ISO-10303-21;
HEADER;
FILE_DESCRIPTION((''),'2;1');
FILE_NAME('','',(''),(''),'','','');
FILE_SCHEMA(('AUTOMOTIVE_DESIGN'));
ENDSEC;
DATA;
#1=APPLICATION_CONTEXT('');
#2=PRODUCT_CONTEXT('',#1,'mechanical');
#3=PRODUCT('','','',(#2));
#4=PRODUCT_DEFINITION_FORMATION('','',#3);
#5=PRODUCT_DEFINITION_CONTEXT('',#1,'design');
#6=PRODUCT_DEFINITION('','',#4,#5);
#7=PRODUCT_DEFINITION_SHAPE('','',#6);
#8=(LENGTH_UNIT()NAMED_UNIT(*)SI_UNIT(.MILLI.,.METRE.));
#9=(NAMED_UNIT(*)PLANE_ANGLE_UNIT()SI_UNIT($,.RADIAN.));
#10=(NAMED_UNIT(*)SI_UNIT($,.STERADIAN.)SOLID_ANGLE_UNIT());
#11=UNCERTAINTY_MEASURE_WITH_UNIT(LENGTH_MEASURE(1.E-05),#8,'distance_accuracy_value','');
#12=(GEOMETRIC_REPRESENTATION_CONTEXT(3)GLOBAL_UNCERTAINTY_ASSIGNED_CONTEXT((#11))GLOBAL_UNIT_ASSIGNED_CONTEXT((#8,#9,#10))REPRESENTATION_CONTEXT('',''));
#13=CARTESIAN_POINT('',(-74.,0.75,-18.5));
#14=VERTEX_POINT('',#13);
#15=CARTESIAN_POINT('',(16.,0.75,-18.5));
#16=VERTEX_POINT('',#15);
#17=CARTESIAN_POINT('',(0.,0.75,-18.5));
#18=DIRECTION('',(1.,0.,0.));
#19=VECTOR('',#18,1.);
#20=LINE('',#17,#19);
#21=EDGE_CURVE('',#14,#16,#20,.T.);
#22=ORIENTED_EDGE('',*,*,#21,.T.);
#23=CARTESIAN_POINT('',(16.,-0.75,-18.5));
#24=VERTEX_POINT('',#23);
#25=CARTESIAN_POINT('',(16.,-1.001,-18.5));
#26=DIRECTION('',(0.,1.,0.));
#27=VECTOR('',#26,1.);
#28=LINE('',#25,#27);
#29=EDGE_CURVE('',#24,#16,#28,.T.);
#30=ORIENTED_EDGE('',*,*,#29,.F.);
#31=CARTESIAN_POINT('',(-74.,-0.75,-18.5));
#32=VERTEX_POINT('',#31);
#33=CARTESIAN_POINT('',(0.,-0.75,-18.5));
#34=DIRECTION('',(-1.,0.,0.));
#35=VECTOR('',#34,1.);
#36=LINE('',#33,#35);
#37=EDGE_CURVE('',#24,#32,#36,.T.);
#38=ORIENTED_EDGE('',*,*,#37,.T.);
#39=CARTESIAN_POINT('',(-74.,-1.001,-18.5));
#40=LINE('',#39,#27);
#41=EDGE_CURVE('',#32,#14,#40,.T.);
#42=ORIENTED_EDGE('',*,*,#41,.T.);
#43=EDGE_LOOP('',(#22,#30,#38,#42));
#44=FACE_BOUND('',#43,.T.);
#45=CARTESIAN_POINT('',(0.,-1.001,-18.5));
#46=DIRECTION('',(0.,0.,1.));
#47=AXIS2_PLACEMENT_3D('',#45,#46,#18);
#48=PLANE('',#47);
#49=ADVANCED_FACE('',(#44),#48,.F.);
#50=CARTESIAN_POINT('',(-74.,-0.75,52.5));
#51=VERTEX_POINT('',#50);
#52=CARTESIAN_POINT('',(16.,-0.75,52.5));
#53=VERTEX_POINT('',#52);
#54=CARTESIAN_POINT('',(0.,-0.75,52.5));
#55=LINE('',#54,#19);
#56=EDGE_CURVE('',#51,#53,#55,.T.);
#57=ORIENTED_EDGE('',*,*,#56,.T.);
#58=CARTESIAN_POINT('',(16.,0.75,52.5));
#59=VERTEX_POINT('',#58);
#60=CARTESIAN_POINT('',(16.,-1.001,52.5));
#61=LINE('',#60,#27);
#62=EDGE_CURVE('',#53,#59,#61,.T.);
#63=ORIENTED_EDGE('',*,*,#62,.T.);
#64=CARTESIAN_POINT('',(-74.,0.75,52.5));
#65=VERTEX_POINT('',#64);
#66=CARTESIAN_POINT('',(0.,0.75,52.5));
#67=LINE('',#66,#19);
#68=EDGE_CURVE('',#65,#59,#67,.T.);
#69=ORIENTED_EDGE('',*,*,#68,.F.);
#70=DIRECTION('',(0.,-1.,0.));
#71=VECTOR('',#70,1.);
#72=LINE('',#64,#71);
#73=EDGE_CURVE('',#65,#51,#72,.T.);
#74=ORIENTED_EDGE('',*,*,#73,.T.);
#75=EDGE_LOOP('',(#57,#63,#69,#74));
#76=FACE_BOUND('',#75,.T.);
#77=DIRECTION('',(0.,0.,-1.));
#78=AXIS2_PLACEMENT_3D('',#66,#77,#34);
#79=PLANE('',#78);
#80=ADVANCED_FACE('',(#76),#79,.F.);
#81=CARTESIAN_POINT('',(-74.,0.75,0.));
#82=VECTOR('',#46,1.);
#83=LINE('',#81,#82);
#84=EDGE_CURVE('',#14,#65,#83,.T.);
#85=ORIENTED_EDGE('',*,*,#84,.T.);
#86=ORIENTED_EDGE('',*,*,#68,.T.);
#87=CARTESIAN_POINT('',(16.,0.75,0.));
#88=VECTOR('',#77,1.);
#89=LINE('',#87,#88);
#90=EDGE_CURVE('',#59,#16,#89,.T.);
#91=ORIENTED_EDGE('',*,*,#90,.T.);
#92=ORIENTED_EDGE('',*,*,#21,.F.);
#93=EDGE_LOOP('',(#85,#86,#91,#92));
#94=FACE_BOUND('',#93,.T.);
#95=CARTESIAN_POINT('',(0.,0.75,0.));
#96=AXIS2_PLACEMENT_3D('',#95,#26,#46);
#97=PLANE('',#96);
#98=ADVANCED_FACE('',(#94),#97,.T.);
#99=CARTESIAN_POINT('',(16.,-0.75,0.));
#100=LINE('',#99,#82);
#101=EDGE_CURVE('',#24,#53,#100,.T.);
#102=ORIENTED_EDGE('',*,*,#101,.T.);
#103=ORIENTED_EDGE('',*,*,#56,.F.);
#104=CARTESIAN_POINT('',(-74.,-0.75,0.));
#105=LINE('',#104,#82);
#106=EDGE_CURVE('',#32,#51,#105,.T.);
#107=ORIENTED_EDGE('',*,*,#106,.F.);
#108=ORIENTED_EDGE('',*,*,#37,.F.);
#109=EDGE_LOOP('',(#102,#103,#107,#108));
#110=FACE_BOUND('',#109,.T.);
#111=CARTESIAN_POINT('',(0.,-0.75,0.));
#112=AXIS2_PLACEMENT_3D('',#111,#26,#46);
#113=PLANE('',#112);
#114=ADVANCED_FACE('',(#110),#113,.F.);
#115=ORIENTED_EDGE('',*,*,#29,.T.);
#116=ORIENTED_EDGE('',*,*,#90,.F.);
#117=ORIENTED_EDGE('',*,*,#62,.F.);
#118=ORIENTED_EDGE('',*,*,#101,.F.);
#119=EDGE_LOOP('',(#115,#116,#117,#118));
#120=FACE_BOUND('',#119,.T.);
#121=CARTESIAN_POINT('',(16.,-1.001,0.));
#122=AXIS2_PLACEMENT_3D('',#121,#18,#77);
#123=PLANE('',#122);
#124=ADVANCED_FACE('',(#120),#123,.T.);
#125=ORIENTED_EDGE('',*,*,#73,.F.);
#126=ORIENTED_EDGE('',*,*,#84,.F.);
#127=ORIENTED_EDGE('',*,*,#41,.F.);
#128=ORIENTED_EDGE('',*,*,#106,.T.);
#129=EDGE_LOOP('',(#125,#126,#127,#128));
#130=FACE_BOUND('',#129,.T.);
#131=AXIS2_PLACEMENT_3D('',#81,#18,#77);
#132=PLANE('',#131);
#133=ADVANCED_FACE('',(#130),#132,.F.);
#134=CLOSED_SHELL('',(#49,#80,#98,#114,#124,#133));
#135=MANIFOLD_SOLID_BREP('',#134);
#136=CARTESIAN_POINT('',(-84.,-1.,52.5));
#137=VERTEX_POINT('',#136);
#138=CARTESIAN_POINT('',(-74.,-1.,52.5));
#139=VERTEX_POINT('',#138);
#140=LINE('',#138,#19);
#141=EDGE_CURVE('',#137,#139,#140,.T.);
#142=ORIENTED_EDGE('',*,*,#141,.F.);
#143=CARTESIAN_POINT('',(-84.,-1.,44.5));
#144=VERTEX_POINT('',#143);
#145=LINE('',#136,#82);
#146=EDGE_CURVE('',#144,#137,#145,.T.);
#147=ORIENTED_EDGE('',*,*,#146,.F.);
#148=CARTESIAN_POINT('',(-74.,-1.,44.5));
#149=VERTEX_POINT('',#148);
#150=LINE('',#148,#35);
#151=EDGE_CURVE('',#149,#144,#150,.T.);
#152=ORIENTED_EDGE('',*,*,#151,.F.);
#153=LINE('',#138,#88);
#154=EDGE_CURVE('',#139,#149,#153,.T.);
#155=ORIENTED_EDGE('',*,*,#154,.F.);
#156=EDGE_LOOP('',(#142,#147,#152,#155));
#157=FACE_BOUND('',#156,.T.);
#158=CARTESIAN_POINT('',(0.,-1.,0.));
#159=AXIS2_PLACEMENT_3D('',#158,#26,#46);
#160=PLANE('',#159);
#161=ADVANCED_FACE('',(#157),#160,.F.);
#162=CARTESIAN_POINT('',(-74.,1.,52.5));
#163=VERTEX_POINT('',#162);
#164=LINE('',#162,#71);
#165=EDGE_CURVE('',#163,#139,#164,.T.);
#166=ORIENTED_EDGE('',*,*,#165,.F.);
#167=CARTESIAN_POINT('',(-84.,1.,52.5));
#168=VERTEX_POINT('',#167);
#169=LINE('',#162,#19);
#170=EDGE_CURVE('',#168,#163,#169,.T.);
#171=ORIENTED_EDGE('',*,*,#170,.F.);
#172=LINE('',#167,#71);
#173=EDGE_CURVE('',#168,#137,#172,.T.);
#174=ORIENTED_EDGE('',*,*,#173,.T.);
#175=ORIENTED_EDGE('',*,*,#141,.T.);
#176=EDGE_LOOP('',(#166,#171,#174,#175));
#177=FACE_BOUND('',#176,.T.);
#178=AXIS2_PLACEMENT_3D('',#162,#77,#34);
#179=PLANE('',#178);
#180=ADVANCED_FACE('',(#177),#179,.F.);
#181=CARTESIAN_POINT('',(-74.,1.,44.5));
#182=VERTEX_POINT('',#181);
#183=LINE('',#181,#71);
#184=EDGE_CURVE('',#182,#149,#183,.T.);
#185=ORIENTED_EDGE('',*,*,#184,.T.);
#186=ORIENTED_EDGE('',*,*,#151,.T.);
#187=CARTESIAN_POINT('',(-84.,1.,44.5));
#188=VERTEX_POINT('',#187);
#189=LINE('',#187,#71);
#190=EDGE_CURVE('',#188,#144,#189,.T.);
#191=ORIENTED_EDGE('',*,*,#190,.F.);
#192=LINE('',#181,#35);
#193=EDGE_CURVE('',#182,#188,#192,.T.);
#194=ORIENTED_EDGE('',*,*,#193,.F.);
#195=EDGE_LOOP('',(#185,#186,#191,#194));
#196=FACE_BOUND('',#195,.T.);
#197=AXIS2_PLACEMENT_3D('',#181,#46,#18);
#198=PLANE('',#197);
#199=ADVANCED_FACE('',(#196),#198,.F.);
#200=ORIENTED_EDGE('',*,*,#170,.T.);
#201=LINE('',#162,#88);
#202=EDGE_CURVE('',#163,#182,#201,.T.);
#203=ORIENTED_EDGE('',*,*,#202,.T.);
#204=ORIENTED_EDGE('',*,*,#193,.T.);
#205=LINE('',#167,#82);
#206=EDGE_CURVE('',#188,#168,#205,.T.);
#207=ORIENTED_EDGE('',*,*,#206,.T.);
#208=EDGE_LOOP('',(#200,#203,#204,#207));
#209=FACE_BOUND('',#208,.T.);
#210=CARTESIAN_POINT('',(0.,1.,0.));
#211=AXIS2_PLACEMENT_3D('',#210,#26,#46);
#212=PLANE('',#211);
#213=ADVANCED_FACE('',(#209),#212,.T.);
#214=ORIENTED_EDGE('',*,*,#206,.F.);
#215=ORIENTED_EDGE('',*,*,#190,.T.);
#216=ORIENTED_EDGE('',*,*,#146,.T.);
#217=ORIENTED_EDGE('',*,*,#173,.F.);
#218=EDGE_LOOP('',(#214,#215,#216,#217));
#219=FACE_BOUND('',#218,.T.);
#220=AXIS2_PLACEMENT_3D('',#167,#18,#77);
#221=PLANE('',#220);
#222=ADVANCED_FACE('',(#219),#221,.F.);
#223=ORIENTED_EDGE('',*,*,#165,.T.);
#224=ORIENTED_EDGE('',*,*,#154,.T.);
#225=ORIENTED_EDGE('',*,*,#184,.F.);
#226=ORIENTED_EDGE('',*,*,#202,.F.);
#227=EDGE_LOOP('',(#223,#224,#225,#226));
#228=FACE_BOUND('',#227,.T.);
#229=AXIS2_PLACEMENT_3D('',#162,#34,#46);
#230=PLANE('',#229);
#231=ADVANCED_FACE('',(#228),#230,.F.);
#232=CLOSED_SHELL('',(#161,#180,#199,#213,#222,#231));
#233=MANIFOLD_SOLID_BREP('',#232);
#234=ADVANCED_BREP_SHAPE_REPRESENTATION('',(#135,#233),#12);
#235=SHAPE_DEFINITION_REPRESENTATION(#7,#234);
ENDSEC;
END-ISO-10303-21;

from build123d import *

# Parameters (mm, degrees)
SKETCH1_W           = 148
SKETCH1_H           = 105
BOSS_EXTRUDE1_DEPTH = 0.75
SKETCH2_W           = 10
SKETCH2_H           = 8
BOSS_EXTRUDE2_DEPTH = 1
CUT_EXTRUDE1_DEPTH  = 1.5


with BuildPart() as part:
    # Sketch1 → Boss-Extrude1 (new, symmetric)
    with BuildSketch(Plane(origin=(0, 0, 0), x_dir=(1, 0, 0), z_dir=(0, 1, 0))):
        Rectangle(SKETCH1_W, SKETCH1_H)
    extrude(amount=BOSS_EXTRUDE1_DEPTH, both=True)

    # Sketch3 → Cut-Extrude1 (cut)
    with BuildSketch(Plane(origin=(0, 0.75, 0), x_dir=(1, 0, 0), z_dir=(0, 1, 0))):
        Polygon((16, 18.5), (16, -52.5), (74, -52.5), (74, 52.5), (-74, 52.5), (-74, 18.5), align=None)
    extrude(amount=-CUT_EXTRUDE1_DEPTH, mode=Mode.SUBTRACT)


with BuildPart() as body_2:
    # Sketch2 → Boss-Extrude2 (new, symmetric)
    with BuildSketch(Plane(origin=(0, 0, 0), x_dir=(1, 0, 0), z_dir=(0, 1, 0))):
        with Locations((-79, -48.5)):
            Rectangle(SKETCH2_W, SKETCH2_H)
    extrude(amount=BOSS_EXTRUDE2_DEPTH, both=True)


solid = Compound([part.part, body_2.part])
